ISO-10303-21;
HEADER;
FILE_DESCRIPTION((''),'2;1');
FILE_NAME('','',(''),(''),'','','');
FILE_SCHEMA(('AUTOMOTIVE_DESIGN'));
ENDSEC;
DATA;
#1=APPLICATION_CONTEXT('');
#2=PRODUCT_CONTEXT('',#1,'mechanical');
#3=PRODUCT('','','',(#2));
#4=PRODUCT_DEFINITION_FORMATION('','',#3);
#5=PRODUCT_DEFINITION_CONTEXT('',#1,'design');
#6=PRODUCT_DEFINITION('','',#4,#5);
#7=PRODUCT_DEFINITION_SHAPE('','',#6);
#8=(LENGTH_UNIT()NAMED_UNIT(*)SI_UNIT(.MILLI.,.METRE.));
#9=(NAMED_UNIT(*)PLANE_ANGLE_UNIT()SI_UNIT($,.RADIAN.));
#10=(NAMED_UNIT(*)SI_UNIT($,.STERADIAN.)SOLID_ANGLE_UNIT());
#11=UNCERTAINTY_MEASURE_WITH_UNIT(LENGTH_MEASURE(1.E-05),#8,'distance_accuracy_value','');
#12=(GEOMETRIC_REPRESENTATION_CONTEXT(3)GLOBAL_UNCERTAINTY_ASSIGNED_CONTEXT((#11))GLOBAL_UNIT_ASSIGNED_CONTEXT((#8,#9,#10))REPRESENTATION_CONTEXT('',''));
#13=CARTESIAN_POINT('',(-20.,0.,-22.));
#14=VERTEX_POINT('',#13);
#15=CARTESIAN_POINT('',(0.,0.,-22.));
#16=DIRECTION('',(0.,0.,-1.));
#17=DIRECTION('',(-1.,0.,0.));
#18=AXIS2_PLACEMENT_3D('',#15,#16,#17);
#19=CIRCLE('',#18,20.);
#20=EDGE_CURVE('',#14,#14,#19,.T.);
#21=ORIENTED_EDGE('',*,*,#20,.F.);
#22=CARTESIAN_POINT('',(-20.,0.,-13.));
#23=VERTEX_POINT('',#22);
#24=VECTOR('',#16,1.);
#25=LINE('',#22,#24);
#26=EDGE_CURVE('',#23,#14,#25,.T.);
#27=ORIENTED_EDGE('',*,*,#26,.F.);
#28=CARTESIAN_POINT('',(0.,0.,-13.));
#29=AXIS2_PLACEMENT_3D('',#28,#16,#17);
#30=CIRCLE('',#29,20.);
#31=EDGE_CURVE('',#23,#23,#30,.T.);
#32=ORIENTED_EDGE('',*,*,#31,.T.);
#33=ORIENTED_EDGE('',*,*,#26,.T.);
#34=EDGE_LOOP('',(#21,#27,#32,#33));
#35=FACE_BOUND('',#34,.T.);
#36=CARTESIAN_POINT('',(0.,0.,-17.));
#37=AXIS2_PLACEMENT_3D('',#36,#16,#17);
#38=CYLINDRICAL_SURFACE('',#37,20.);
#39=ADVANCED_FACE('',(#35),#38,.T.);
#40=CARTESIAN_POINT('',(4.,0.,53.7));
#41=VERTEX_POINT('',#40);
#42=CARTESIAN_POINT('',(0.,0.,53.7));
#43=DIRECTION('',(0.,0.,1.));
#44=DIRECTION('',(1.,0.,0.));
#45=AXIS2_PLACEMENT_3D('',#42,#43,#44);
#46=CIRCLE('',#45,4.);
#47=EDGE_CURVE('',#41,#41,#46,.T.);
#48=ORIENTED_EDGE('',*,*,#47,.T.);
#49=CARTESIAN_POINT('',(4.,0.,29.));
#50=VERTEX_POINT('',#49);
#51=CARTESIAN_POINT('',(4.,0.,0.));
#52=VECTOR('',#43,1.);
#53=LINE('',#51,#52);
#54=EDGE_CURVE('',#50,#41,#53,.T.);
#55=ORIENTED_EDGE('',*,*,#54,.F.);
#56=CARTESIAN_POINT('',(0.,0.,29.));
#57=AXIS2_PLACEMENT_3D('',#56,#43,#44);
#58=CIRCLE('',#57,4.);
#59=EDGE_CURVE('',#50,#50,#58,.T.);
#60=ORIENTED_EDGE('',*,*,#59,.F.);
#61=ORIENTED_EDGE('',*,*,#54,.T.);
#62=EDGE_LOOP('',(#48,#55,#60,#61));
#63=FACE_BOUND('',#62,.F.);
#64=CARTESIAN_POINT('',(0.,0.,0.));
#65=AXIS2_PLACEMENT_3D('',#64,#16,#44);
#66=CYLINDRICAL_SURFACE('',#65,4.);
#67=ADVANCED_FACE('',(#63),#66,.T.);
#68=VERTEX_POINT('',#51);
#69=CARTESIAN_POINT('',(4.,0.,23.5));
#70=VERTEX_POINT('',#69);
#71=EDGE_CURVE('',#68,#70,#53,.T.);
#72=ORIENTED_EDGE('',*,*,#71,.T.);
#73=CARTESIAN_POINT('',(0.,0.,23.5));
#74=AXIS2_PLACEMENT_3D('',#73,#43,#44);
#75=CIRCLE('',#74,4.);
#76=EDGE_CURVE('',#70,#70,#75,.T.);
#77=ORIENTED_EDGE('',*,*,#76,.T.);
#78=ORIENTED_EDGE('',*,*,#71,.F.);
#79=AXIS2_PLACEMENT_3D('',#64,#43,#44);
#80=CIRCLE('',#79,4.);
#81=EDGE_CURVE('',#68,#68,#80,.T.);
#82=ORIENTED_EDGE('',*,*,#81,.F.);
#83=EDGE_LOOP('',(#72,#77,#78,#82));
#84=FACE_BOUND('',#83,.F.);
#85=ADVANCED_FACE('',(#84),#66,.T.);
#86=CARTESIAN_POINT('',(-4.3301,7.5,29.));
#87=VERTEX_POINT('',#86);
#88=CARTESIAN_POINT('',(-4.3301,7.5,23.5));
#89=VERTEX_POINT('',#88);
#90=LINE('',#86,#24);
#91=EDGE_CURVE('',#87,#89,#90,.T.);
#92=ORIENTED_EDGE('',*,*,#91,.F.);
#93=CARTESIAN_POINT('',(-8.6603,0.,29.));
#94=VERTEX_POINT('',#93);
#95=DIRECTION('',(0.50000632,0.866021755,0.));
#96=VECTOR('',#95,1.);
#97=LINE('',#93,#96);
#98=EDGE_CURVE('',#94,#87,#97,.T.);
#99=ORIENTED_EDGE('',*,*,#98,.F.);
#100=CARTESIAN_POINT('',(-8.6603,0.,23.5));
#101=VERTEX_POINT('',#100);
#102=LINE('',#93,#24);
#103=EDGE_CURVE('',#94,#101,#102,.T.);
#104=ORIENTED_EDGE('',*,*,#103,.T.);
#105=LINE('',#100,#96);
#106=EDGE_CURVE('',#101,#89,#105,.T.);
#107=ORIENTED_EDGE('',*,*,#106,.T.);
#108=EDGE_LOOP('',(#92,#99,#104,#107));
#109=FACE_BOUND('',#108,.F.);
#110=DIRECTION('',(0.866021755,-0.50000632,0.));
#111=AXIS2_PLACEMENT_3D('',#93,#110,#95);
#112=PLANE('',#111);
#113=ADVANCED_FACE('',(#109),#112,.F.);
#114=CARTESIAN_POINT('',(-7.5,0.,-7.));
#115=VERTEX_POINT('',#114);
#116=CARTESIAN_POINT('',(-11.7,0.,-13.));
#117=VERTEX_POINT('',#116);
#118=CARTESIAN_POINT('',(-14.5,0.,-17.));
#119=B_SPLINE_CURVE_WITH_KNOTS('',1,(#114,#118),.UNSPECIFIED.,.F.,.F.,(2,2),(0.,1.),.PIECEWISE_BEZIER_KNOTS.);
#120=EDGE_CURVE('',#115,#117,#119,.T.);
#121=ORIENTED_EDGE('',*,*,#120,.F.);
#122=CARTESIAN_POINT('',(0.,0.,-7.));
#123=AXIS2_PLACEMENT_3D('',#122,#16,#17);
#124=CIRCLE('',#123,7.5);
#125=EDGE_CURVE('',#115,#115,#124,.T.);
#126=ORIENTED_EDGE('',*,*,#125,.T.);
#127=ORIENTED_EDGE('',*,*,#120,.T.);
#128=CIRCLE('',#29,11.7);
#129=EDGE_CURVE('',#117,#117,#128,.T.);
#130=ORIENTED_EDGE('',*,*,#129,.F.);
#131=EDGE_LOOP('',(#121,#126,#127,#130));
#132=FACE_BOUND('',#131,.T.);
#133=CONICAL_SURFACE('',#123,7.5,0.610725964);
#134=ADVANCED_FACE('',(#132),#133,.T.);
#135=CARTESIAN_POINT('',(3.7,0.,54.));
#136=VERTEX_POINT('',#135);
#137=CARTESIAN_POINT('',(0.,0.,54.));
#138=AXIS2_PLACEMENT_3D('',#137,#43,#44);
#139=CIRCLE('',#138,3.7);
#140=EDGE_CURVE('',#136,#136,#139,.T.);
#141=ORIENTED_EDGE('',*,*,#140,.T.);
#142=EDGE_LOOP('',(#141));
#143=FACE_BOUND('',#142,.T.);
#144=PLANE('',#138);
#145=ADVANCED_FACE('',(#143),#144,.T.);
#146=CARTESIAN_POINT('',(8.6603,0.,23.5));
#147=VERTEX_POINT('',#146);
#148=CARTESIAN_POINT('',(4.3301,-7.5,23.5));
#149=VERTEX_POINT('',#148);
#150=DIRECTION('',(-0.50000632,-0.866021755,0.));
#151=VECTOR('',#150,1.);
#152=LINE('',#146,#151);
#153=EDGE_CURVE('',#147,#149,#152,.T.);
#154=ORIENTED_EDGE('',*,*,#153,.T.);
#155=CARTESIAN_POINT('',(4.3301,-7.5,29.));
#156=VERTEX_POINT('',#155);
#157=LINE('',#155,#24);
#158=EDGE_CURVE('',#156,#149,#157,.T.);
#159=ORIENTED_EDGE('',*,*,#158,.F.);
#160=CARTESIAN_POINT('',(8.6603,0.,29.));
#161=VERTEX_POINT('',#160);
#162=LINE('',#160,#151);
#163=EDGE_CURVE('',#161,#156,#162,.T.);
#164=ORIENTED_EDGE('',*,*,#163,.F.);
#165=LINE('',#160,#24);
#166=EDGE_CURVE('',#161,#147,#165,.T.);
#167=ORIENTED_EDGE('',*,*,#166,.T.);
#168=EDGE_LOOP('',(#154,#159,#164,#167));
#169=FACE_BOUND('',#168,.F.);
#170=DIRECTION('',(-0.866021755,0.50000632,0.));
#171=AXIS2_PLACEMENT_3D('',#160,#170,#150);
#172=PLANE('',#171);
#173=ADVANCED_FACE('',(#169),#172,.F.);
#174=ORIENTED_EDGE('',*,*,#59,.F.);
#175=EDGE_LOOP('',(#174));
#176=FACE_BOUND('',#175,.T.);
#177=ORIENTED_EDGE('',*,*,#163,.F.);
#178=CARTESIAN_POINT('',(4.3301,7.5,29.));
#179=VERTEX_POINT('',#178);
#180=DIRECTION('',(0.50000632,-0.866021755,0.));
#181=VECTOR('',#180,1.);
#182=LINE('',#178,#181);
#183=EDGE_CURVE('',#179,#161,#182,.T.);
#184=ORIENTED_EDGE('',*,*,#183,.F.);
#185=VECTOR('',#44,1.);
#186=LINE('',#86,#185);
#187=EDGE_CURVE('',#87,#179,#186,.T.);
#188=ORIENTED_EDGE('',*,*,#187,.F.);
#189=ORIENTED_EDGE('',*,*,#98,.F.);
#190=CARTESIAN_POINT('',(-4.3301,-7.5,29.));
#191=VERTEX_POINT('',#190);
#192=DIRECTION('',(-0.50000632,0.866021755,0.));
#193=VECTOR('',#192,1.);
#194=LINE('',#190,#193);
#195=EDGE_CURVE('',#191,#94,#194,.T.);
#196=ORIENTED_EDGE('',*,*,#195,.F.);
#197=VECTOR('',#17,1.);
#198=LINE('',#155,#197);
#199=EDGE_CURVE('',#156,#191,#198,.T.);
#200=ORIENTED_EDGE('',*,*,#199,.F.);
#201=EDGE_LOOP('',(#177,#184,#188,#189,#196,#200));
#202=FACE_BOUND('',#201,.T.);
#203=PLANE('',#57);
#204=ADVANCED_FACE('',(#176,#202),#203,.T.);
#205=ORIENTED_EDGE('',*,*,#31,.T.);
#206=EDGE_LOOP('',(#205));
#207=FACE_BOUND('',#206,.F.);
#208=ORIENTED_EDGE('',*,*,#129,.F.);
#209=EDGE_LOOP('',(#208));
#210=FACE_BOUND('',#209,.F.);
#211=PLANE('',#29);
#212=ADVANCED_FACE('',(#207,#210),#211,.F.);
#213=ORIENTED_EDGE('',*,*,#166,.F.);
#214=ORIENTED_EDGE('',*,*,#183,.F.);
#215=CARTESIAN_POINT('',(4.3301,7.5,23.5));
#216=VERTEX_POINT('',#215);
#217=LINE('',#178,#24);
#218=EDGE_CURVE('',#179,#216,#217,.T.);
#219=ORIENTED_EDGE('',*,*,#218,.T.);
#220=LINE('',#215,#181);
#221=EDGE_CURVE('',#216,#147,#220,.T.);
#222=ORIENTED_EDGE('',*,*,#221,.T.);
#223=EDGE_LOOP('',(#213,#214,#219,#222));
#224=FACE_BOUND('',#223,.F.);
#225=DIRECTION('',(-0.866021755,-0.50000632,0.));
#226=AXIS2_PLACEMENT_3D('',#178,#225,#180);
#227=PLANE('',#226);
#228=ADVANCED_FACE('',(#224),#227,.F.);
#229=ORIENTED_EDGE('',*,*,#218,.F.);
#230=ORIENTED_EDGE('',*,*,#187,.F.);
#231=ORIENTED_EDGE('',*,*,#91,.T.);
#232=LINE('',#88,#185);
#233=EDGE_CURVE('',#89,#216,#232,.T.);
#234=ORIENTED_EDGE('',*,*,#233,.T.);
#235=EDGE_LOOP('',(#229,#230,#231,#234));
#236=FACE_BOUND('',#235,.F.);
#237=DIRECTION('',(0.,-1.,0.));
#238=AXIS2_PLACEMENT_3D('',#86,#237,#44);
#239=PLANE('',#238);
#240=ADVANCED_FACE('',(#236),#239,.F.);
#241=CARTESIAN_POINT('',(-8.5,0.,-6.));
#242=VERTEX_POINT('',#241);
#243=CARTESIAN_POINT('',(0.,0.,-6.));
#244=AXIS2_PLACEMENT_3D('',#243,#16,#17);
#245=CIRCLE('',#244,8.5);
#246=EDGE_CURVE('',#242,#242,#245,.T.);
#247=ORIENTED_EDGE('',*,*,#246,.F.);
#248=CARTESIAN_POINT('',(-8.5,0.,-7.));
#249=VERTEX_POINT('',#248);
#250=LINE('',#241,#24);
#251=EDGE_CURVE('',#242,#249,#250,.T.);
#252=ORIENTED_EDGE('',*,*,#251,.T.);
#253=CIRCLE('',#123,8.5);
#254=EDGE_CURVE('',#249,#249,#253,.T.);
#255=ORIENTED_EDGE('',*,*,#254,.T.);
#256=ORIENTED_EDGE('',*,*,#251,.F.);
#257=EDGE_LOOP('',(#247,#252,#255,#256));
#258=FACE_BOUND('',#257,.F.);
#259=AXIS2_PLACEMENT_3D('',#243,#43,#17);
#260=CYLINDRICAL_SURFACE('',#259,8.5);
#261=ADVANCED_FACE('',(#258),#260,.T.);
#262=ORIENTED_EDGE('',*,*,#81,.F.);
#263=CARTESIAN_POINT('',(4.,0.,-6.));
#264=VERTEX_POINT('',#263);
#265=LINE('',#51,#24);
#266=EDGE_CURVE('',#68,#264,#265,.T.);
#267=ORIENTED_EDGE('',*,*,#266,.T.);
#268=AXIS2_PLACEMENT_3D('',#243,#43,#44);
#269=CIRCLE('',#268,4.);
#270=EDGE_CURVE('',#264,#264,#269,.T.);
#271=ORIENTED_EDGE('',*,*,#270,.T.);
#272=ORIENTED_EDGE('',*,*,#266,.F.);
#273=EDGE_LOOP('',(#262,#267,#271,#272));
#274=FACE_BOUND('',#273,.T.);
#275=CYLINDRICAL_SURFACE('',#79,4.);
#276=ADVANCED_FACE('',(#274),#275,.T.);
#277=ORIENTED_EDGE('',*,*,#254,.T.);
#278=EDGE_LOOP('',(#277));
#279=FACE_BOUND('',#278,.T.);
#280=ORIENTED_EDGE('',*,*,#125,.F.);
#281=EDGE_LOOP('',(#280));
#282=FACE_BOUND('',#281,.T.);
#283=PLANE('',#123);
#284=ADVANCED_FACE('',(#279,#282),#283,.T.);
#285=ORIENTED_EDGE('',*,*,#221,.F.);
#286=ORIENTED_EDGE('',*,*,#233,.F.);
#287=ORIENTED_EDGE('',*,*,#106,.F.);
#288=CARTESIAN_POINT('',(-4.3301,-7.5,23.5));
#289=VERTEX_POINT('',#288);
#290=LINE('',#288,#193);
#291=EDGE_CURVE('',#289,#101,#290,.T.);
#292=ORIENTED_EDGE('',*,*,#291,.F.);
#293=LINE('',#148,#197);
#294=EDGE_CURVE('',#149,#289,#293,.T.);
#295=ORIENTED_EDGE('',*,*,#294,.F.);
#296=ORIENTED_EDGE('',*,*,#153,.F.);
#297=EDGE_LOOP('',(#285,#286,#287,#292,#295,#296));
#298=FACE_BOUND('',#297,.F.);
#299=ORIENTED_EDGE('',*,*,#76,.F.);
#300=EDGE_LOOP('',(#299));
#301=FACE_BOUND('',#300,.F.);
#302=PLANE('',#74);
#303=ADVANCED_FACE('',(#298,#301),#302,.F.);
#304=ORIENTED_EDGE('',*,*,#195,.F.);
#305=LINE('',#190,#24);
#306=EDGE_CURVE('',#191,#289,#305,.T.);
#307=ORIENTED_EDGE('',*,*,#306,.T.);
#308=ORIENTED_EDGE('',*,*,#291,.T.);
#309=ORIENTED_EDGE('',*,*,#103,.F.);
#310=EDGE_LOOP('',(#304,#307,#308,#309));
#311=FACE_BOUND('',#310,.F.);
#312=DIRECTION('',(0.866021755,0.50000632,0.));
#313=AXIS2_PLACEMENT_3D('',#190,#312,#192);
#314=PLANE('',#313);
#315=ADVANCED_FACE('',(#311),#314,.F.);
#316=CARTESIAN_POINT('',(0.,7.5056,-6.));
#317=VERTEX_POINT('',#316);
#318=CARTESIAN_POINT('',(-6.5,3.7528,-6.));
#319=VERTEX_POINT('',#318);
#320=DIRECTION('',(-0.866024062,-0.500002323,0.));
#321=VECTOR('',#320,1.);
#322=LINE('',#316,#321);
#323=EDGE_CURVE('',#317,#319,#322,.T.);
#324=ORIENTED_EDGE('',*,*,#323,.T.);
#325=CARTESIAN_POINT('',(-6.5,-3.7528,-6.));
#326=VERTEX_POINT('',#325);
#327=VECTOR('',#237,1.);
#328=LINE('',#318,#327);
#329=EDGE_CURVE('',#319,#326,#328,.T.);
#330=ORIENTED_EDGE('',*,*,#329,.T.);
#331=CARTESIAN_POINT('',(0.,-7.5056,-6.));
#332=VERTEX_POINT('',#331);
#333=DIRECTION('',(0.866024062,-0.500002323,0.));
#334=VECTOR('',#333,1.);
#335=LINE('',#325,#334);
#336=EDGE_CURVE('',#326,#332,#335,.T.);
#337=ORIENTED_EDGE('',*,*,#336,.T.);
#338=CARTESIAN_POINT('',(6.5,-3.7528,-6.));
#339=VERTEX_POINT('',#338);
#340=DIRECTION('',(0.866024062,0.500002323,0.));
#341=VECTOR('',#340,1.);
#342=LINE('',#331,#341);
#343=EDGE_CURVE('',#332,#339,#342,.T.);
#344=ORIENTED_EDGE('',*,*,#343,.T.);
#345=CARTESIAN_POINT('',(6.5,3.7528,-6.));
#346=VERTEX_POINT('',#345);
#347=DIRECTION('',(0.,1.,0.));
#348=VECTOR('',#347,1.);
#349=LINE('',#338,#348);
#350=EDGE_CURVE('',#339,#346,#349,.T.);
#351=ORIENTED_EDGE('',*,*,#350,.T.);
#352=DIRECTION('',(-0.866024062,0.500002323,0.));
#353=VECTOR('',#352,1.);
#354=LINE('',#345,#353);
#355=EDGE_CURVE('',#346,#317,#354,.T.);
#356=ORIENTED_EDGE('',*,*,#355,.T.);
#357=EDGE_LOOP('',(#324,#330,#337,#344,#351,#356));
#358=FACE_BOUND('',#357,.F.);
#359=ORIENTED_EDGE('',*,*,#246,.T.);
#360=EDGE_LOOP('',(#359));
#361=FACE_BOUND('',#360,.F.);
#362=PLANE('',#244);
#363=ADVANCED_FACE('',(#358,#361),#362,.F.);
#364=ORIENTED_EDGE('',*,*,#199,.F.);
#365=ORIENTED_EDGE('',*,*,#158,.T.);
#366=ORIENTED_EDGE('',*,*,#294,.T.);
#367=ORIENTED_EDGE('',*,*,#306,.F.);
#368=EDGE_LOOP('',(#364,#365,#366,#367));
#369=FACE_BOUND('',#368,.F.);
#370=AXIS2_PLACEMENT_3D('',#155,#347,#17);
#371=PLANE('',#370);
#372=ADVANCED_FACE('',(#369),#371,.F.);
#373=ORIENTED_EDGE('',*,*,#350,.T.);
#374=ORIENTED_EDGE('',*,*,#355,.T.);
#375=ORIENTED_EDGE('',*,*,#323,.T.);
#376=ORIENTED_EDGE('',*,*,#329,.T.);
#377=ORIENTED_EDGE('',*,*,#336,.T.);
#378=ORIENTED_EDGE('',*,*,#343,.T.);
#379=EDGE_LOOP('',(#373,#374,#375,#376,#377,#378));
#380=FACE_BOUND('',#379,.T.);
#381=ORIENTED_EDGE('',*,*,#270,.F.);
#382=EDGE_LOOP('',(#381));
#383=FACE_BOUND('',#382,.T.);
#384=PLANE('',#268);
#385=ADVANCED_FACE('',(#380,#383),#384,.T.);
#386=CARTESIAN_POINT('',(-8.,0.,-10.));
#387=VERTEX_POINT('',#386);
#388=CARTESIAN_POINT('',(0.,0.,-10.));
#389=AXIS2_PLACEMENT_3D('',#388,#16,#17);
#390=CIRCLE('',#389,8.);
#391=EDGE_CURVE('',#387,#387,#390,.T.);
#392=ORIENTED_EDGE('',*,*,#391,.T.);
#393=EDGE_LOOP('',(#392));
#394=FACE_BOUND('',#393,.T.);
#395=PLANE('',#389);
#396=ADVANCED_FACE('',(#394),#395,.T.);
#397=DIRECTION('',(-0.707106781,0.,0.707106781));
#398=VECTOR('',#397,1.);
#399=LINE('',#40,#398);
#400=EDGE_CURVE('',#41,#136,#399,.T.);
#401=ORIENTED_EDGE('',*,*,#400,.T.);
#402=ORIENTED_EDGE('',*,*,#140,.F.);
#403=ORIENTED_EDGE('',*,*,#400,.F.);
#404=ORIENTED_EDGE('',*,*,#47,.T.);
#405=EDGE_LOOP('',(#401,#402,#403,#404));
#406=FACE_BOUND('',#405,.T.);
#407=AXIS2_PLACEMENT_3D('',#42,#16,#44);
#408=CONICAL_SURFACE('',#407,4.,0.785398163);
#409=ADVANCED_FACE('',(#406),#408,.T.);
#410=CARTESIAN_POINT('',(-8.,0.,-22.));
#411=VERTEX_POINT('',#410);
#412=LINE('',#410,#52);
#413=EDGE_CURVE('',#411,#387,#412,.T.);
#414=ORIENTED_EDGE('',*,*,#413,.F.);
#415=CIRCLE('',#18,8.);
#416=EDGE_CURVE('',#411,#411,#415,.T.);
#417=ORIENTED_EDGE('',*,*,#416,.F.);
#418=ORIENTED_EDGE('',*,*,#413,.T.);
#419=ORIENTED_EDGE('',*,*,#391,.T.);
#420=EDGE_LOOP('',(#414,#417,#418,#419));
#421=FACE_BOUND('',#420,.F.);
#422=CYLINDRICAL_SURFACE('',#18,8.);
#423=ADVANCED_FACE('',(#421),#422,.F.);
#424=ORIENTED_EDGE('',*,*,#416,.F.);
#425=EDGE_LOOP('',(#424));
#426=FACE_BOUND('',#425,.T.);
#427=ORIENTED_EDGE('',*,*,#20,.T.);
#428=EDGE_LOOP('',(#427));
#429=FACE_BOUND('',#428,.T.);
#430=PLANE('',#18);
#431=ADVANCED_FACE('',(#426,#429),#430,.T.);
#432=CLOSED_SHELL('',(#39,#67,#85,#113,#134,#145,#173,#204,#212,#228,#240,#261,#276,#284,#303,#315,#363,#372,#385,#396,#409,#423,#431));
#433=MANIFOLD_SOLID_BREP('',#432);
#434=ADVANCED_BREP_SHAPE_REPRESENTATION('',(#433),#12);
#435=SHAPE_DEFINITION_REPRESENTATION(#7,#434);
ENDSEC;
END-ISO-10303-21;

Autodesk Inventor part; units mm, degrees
ref_plane "YZ Plane" through (0, 0, 0) normal (1, 0, 0) x (0, 1, 0)
sketch "Sketch1" plane through (0, 0, 0) normal (0, 0, 1) x (1, 0, 0)
  circle A0 centre (0, 0) radius 4
  dimension "d0" = 8
extrude "Extrusion1" add sketch "Sketch1" along normal blind 54
sketch "Sketch2" plane through (0, 0, 0) normal (0, 0, -1) x (-1, 0, 0)
  line L0 (0, 7.5056) -> (6.5, 3.7528)
  line L1 (6.5, 3.7528) -> (6.5, -3.7528)
  line L2 (6.5, -3.7528) -> (0, -7.5056)
  line L3 (0, -7.5056) -> (-6.5, -3.7528)
  line L4 (-6.5, -3.7528) -> (-6.5, 3.7528)
  line L5 (-6.5, 3.7528) -> (0, 7.5056)
  point P0 (0, 0)
  point P1 (0, 0)
  dimension "d3" = 13
  dimension "d4" = 6.5
extrude "Extrusion2" add sketch "Sketch2" along normal blind 6
sketch "Sketch3" plane through (0, 0, -6) normal (0, 0, -1) x (-1, 0, 0)
  circle A0 centre (0, 0) radius 8.5
  dimension "d7" = 17
extrude "Extrusion3" add sketch "Sketch3" along normal blind 1
sketch "Sketch4" plane through (0, 0, -7) normal (0, 0, -1) x (-1, 0, 0)
  circle A0 centre (0, 0) radius 7.5
  dimension "d10" = 15
ref_plane "Work Plane1" through (0, 0, -17) normal (0, 0, -1) x (-1, 0, 0)
sketch "Sketch5" plane through (0, 0, -17) normal (0, 0, -1) x (-1, 0, 0)
  circle A0 centre (0, 0) radius 14.5
  dimension "d12" = 29
loft "Loft1" add profiles "Sketch4", "Sketch5"
sketch "Sketch6" plane through (0, 0, -17) normal (0, 0, -1) x (-1, 0, 0)
  circle A0 centre (0, 0) radius 17
  dimension "d17" = 34
extrude "Extrusion4" add sketch "Sketch6" against normal blind 2
chamfer "Chamfer1" distance 0.3 angle 45 1 edges at (-4, 0, 54)
sketch "Sketch7" plane through (0, 0, -17) normal (0, 0, -1) x (-1, 0, 0)
  circle A0 centre (0, 0) radius 4 projected
  circle A1 centre (0, 0) radius 20
  dimension "d26" = 40
extrude "Extrusion5" add sketch "Sketch7" against normal blind 4 and the other way blind 5
sketch "Sketch8" plane through (0, 0, -22) normal (0, 0, -1) x (-1, 0, 0)
  circle A0 centre (0, 0) radius 8
  dimension "d31" = 16
extrude "Extrusion6" cut sketch "Sketch8" against normal blind 12
sketch "Sketch9" plane through (0, 0, 0) normal (0, 0, 1) x (1, 0, 0)
  line L0 (0, 7.5056) -> (-6.5, 3.7528) projected
  line L1 (-6.5, 3.7528) -> (-6.5, -3.7528) projected
  line L2 (-6.5, -3.7528) -> (0, -7.5056) projected
  line L3 (0, -7.5056) -> (6.5, -3.7528) projected
  line L4 (6.5, -3.7528) -> (6.5, 3.7528) projected
  line L5 (6.5, 3.7528) -> (0, 7.5056) projected
  circle A0 centre (0, 0) radius 4 projected
extrude "Extrusion7" cut sketch "Sketch9" against normal up to surface (6 mm away)
ref_plane "Work Plane2" through (0, 0, 29) normal (0, 0, 1) x (1, 0, 0)
sketch "Sketch10" plane through (0, 0, 29) normal (0, 0, 1) x (1, 0, 0)
  circle A0 centre (0, 0) radius 4 projected
  line L0 (8.6603, 0) -> (4.3301, -7.5)
  line L1 (4.3301, -7.5) -> (-4.3301, -7.5)
  line L2 (-4.3301, -7.5) -> (-8.6603, 0)
  line L3 (-8.6603, 0) -> (-4.3301, 7.5)
  line L4 (-4.3301, 7.5) -> (4.3301, 7.5)
  line L5 (4.3301, 7.5) -> (8.6603, 0)
  dimension "d37" = 15
  dimension "d38" = 8.6602
  dimension "d39" = 8.6602
extrude "Extrusion8" add sketch "Sketch10" against normal blind 5.5
thread "Thread2" size "M8x1.25" class "6g" standard "ISO Metric profile" full length
thread "Thread3" size "M10x1.5" class "6g" standard "ANSI Metric M Profile" full length
equation "\"d4\" = 0.5 * d3"
properties part number "Adjuster Pad" material "Stainless Steel"
